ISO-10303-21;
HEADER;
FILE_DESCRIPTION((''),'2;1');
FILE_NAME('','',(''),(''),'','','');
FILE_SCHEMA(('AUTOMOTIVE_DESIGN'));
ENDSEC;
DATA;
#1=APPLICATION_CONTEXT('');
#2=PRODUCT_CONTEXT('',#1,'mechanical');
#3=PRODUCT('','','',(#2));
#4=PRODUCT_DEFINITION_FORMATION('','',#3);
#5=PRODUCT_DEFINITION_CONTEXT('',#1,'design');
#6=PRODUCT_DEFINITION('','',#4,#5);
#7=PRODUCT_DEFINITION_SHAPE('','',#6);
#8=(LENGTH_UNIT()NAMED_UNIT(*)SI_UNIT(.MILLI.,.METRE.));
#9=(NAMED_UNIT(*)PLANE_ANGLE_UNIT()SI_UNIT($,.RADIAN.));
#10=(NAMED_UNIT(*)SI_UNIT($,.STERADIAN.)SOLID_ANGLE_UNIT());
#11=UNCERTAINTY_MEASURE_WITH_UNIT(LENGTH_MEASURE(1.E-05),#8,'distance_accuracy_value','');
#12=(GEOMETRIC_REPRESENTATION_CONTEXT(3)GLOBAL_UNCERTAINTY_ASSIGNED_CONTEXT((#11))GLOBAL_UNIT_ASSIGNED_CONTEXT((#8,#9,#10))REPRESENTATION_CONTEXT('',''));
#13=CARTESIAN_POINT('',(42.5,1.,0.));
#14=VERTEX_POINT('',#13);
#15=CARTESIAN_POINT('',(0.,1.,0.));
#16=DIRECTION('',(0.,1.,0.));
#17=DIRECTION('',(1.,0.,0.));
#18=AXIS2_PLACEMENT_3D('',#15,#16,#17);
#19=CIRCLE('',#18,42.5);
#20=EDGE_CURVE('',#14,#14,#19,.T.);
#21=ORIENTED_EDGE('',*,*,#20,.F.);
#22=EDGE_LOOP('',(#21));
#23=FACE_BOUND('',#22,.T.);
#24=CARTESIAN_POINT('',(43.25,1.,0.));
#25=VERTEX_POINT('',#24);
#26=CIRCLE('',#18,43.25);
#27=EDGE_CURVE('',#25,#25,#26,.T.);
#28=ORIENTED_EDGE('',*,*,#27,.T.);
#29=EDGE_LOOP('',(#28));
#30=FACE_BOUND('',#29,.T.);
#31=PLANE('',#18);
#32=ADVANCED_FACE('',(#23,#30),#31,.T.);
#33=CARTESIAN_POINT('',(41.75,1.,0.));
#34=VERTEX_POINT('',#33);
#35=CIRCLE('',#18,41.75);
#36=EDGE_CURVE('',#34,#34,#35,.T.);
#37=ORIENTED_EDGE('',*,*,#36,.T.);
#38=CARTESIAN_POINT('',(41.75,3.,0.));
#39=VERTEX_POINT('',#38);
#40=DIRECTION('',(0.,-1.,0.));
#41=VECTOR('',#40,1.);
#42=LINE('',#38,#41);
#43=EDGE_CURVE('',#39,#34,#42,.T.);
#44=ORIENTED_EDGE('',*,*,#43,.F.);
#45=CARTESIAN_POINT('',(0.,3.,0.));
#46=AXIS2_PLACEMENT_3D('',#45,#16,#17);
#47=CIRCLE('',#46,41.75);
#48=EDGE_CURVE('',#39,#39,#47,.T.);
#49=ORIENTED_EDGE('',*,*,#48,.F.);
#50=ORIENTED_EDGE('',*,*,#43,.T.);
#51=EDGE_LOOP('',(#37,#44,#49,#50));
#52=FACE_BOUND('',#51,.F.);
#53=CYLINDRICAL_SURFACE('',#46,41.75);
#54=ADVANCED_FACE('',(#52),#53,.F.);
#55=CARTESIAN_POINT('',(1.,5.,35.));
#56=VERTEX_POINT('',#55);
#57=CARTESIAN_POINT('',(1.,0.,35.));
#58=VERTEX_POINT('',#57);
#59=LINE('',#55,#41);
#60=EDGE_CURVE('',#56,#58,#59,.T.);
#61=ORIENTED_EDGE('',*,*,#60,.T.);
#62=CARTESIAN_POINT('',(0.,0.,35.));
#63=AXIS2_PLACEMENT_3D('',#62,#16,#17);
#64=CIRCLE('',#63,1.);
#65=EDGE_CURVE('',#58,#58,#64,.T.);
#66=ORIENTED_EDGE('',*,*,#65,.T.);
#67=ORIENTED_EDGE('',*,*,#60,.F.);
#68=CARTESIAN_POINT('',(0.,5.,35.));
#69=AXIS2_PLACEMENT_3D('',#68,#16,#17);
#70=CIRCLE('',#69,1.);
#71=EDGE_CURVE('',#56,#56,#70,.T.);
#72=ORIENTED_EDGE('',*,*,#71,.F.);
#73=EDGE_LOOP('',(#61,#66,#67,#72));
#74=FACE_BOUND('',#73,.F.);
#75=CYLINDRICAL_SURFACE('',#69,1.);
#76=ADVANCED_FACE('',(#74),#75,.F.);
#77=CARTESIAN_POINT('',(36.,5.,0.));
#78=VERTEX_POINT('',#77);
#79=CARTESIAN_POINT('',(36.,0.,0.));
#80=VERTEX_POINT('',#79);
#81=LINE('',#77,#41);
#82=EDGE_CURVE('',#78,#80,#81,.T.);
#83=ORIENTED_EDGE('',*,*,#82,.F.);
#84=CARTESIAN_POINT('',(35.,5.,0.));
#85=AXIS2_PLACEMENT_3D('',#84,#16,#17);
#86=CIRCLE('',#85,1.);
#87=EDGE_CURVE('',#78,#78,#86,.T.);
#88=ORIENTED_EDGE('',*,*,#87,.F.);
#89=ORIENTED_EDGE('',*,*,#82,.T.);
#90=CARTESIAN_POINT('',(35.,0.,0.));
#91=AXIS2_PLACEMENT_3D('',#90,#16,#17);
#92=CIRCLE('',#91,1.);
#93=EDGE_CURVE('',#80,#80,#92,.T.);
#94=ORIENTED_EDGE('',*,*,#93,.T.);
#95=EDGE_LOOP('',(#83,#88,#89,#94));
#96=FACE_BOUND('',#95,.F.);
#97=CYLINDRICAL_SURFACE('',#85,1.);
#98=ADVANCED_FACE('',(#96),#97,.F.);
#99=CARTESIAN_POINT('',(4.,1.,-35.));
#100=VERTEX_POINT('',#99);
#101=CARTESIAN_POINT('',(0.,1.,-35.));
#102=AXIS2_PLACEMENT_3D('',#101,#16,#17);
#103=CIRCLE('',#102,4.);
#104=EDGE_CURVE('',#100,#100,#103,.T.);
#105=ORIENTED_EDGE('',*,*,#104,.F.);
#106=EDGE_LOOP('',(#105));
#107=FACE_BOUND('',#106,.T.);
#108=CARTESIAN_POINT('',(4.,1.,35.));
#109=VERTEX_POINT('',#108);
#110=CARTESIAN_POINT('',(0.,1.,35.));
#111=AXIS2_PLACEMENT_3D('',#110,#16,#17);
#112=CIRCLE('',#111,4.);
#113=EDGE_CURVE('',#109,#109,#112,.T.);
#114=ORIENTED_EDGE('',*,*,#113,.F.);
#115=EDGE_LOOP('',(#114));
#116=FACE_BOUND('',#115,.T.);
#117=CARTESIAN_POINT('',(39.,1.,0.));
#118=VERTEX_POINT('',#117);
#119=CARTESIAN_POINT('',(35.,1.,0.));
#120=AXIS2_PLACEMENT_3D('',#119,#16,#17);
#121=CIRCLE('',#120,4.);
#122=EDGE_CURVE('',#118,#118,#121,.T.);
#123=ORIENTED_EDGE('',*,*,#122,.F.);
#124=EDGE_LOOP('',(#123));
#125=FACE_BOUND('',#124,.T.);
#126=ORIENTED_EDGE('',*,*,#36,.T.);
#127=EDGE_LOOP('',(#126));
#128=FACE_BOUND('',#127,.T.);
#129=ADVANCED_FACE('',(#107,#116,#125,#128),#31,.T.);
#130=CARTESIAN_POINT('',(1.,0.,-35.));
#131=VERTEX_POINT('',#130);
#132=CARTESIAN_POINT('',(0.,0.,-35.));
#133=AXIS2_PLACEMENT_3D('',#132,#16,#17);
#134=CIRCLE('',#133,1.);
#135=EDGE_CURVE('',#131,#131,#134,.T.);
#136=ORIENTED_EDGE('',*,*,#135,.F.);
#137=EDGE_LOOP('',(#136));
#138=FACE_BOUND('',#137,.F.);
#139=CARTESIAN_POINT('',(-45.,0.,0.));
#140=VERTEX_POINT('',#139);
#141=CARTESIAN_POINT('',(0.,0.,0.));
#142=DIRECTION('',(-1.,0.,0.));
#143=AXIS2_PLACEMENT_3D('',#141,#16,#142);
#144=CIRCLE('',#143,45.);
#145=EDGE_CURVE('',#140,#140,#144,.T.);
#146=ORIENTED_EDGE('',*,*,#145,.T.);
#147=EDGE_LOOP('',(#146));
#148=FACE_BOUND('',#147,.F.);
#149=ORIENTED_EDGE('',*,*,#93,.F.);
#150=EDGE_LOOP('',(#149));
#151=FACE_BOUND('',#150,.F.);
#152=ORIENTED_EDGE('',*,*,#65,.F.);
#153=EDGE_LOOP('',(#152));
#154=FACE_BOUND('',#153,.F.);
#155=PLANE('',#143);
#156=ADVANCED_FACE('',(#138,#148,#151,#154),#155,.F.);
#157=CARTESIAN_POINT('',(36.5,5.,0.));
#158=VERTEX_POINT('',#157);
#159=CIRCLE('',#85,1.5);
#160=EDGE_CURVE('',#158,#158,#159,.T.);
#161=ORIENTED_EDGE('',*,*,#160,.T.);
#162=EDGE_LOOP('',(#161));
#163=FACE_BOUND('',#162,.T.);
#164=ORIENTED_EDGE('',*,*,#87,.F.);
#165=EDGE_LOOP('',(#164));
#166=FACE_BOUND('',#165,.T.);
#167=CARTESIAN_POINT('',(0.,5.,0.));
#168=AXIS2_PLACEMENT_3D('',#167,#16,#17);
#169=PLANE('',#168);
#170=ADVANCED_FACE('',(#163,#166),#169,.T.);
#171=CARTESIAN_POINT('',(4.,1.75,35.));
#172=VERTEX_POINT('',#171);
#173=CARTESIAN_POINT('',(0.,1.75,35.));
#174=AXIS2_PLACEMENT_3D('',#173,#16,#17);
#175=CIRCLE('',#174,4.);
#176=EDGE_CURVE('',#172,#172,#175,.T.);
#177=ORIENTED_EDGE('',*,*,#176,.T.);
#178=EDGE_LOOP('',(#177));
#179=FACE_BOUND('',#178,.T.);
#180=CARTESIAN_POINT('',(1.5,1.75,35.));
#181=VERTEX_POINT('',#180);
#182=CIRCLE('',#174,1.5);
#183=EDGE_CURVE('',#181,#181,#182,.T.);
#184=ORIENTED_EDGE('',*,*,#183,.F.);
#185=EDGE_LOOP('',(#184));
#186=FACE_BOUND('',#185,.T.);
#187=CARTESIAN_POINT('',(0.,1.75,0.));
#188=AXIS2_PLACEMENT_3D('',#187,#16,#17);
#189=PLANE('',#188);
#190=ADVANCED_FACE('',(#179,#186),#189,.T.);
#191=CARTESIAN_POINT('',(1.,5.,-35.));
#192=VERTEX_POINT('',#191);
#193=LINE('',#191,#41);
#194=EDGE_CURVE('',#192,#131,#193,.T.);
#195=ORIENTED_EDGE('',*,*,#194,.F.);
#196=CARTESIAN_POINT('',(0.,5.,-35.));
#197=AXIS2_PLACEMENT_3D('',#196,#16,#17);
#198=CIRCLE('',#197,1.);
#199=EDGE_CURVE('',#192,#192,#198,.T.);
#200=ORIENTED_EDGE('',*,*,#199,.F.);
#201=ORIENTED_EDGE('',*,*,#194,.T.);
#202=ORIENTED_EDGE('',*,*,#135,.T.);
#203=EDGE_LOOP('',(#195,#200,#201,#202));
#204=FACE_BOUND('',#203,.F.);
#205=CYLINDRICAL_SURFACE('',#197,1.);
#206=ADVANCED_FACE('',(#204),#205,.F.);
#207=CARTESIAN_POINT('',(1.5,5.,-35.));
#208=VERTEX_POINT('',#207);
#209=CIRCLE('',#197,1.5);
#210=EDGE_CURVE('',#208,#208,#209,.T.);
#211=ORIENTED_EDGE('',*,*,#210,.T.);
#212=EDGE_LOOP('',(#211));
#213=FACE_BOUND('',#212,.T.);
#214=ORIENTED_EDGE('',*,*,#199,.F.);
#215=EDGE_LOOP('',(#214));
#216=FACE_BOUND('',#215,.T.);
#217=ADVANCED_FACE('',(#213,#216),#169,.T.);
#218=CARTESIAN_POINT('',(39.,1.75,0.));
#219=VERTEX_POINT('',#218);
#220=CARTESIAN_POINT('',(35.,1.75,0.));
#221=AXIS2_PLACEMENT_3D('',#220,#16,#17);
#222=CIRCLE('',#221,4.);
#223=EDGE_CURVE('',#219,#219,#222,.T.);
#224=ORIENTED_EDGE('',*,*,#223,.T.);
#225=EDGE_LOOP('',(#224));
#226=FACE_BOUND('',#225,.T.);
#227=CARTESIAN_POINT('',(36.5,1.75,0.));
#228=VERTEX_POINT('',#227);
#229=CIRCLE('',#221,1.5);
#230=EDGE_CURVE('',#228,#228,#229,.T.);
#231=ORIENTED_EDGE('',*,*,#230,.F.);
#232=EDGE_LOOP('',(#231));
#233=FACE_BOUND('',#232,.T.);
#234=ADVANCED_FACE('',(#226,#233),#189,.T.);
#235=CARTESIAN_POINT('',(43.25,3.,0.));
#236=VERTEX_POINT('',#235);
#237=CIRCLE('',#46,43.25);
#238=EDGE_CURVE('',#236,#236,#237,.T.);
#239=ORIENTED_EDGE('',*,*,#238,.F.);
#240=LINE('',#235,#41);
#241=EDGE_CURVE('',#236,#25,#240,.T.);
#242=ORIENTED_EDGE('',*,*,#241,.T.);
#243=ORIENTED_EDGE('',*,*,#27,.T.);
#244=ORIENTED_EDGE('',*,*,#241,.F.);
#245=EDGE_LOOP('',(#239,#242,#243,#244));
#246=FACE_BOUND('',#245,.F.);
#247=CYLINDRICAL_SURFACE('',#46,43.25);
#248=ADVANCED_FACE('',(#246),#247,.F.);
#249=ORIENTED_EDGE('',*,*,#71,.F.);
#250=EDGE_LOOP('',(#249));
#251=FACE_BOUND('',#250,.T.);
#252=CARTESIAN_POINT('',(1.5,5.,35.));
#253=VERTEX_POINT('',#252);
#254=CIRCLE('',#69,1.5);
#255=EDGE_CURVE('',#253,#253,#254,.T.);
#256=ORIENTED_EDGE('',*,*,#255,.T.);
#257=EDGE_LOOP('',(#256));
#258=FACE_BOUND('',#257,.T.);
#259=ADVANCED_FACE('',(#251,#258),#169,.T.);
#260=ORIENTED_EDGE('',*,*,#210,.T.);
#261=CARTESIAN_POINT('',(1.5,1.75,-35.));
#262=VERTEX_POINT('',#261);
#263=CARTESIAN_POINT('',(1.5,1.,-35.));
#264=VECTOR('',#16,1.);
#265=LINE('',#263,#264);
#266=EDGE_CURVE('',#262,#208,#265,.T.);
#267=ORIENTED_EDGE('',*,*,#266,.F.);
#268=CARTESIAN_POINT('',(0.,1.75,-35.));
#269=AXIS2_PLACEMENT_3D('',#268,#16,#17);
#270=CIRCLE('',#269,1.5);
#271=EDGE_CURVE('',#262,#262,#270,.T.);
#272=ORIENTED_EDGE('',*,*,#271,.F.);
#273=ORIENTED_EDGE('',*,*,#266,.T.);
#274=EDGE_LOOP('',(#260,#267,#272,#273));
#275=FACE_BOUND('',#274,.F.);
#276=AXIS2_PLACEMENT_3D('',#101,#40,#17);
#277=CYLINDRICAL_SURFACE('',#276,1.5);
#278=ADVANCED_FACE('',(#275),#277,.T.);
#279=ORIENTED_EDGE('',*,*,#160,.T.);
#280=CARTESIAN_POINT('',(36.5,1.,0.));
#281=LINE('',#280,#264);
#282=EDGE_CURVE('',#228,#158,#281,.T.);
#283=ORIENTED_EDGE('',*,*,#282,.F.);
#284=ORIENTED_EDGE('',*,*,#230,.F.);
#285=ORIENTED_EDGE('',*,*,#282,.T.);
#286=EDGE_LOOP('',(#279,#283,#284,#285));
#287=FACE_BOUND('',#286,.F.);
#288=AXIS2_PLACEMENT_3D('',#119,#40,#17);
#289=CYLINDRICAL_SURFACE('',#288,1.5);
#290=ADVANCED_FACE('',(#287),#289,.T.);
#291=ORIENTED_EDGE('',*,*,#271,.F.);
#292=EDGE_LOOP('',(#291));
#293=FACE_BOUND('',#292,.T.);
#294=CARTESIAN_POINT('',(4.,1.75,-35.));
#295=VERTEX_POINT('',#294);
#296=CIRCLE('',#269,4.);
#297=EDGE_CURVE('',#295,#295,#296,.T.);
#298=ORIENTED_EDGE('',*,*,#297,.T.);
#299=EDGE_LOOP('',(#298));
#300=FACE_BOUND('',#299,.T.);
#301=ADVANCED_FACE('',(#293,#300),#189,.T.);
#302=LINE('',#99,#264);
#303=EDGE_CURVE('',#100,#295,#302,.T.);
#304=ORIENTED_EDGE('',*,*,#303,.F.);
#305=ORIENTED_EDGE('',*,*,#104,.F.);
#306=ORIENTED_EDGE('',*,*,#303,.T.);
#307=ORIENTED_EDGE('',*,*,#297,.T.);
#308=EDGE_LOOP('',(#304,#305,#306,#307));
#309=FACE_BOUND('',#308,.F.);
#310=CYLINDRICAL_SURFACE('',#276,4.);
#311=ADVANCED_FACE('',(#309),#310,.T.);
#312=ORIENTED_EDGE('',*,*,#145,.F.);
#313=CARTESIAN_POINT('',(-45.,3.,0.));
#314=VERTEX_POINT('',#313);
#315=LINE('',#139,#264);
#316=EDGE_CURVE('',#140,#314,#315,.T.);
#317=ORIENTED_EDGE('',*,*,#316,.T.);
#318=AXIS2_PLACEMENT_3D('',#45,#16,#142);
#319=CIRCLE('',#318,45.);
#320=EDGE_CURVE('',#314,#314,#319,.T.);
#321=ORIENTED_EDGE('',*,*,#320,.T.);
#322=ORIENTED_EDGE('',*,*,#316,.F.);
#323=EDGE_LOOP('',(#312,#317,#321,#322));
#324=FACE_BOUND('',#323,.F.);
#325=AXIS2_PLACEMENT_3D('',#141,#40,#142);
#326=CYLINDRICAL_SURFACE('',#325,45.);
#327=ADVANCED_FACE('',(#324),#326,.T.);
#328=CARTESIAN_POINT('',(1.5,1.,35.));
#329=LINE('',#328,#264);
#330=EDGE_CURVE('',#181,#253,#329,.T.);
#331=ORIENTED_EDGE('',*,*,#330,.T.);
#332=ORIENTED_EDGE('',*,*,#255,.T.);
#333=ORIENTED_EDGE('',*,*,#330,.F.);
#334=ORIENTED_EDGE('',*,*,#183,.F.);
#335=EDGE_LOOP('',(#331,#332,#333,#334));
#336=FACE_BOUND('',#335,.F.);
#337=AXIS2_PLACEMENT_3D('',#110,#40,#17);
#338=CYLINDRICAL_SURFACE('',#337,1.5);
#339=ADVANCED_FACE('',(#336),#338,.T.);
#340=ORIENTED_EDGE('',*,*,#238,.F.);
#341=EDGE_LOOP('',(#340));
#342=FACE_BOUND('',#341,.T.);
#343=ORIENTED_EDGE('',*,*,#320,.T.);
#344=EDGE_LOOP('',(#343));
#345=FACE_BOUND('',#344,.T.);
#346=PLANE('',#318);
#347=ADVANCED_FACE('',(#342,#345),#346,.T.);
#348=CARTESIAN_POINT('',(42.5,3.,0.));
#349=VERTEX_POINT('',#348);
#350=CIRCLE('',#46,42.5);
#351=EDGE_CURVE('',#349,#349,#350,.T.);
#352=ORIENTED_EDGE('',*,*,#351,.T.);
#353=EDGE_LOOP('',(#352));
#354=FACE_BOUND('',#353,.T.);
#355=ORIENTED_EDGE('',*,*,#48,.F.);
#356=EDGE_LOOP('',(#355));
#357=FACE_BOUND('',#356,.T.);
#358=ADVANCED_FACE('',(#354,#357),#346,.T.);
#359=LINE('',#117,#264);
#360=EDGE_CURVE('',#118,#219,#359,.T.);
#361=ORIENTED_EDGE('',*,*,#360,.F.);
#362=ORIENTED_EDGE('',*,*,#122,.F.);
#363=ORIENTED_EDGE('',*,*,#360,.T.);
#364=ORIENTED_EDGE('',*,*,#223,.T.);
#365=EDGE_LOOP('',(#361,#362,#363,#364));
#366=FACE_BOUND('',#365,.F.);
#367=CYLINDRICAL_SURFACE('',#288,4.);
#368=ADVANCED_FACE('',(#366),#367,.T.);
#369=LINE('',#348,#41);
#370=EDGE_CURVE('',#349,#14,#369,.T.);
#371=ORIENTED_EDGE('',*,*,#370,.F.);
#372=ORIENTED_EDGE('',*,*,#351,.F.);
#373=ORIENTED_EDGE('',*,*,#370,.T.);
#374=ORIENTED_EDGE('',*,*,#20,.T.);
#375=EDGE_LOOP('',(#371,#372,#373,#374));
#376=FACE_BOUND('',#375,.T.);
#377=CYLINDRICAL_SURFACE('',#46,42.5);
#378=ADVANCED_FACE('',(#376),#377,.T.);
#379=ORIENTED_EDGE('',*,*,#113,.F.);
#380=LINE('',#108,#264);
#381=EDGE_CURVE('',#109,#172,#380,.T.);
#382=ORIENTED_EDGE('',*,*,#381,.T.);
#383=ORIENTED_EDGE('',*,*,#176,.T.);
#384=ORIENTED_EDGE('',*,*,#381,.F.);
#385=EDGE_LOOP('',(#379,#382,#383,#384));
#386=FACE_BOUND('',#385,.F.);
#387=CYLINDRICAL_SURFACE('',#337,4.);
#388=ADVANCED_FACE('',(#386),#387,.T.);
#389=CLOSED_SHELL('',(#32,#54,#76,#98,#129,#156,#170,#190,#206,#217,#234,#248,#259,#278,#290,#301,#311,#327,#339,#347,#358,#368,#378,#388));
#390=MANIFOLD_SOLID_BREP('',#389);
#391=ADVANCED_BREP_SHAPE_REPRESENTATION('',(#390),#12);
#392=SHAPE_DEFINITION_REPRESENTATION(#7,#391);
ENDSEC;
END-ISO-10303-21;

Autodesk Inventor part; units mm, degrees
ref_plane "YZ Plane" through (0, 0, 0) normal (1, 0, 0) x (0, 1, 0)
ref_plane "XZ Plane" through (0, 0, 0) normal (0, 1, 0) x (-1, 0, 0)
ref_plane "XY Plane" through (0, 0, 0) normal (0, 0, 1) x (1, 0, 0)
sketch "Sketch1" plane through (0, 0, 0) normal (0, 1, 0) x (-1, 0, 0)
  circle A0 centre (0, 0) radius 45
  dimension "d0" = 90
extrude "Extrusion1" add sketch "Sketch1" along normal blind 3
sketch "Sketch2" plane through (0, 3, 0) normal (0, 1, 0) x (1, 0, 0)
  circle A0 centre (0, 0) radius 45 projected
  circle A1 centre (0, 0) radius 42.5
  circle A2 centre (0, 0) radius 43.25
  circle A3 centre (0, 0) radius 41.75
  dimension "d3" = 2.5
  dimension "d4" = 0.75
  dimension "d5" = 0.75
extrude "Extrusion2" cut sketch "Sketch2" against normal blind 2 contours A3
extrude "Extrusion3" cut sketch "Sketch2" against normal blind 2 contours A2
sketch "Sketch3" plane through (0, 1, 0) normal (0, 1, 0) x (1, 0, 0)
  circle A0 centre (0, 0) radius 40 construction
  line L0 (-40, 0) -> (40, 0) construction
  line L1 (0, 40) -> (0, -40) construction
  circle A1 centre (0, 35) radius 1.5
  circle A2 centre (35, 0) radius 1.5
  circle A3 centre (0, -35) radius 1.5
  circle A4 centre (0, 35) radius 4
  circle A5 centre (35, 0) radius 4
  circle A6 centre (0, -35) radius 4
  dimension "d10" = 80
  dimension "d12" = 3
  dimension "d13" = 3
  dimension "d14" = 5
  dimension "d15" = 5
  dimension "d17" = 3
  dimension "d18" = 5
  dimension "d19" = 2.5
  dimension "d20" = 2.5
  dimension "d21" = 2.5
extrude "Extrusion4" add sketch "Sketch3" along normal blind 0.75
extrude "Extrusion6" add sketch "Sketch3" along normal blind 4 contours A1 | A2 | A3
sketch "Sketch5" plane through (35, 5, 0) normal (0, 1, 0) x (1, 0, 0)
  circle A0 centre (0, 0) radius 4 projected
  circle A1 centre (-35, -35) radius 4 projected
  circle A2 centre (-35, 35) radius 4 projected
  circle A3 centre (-35, 35) radius 1.5 projected
  circle A4 centre (-35, 35) radius 1
  circle A5 centre (0, 0) radius 1.5 projected
  circle A6 centre (0, 0) radius 1
  circle A7 centre (-35, -35) radius 1.5 projected
  circle A8 centre (-35, -35) radius 1
  point P0 (-35, 0)
  dimension "d30" = 0.5
  dimension "d31" = 0.5
  dimension "d32" = 0.5
extrude "Extrusion7" cut sketch "Sketch5" against normal through all contours A4 | A6 | A8
properties part number "ROUNDBOTTOMCOVER"
